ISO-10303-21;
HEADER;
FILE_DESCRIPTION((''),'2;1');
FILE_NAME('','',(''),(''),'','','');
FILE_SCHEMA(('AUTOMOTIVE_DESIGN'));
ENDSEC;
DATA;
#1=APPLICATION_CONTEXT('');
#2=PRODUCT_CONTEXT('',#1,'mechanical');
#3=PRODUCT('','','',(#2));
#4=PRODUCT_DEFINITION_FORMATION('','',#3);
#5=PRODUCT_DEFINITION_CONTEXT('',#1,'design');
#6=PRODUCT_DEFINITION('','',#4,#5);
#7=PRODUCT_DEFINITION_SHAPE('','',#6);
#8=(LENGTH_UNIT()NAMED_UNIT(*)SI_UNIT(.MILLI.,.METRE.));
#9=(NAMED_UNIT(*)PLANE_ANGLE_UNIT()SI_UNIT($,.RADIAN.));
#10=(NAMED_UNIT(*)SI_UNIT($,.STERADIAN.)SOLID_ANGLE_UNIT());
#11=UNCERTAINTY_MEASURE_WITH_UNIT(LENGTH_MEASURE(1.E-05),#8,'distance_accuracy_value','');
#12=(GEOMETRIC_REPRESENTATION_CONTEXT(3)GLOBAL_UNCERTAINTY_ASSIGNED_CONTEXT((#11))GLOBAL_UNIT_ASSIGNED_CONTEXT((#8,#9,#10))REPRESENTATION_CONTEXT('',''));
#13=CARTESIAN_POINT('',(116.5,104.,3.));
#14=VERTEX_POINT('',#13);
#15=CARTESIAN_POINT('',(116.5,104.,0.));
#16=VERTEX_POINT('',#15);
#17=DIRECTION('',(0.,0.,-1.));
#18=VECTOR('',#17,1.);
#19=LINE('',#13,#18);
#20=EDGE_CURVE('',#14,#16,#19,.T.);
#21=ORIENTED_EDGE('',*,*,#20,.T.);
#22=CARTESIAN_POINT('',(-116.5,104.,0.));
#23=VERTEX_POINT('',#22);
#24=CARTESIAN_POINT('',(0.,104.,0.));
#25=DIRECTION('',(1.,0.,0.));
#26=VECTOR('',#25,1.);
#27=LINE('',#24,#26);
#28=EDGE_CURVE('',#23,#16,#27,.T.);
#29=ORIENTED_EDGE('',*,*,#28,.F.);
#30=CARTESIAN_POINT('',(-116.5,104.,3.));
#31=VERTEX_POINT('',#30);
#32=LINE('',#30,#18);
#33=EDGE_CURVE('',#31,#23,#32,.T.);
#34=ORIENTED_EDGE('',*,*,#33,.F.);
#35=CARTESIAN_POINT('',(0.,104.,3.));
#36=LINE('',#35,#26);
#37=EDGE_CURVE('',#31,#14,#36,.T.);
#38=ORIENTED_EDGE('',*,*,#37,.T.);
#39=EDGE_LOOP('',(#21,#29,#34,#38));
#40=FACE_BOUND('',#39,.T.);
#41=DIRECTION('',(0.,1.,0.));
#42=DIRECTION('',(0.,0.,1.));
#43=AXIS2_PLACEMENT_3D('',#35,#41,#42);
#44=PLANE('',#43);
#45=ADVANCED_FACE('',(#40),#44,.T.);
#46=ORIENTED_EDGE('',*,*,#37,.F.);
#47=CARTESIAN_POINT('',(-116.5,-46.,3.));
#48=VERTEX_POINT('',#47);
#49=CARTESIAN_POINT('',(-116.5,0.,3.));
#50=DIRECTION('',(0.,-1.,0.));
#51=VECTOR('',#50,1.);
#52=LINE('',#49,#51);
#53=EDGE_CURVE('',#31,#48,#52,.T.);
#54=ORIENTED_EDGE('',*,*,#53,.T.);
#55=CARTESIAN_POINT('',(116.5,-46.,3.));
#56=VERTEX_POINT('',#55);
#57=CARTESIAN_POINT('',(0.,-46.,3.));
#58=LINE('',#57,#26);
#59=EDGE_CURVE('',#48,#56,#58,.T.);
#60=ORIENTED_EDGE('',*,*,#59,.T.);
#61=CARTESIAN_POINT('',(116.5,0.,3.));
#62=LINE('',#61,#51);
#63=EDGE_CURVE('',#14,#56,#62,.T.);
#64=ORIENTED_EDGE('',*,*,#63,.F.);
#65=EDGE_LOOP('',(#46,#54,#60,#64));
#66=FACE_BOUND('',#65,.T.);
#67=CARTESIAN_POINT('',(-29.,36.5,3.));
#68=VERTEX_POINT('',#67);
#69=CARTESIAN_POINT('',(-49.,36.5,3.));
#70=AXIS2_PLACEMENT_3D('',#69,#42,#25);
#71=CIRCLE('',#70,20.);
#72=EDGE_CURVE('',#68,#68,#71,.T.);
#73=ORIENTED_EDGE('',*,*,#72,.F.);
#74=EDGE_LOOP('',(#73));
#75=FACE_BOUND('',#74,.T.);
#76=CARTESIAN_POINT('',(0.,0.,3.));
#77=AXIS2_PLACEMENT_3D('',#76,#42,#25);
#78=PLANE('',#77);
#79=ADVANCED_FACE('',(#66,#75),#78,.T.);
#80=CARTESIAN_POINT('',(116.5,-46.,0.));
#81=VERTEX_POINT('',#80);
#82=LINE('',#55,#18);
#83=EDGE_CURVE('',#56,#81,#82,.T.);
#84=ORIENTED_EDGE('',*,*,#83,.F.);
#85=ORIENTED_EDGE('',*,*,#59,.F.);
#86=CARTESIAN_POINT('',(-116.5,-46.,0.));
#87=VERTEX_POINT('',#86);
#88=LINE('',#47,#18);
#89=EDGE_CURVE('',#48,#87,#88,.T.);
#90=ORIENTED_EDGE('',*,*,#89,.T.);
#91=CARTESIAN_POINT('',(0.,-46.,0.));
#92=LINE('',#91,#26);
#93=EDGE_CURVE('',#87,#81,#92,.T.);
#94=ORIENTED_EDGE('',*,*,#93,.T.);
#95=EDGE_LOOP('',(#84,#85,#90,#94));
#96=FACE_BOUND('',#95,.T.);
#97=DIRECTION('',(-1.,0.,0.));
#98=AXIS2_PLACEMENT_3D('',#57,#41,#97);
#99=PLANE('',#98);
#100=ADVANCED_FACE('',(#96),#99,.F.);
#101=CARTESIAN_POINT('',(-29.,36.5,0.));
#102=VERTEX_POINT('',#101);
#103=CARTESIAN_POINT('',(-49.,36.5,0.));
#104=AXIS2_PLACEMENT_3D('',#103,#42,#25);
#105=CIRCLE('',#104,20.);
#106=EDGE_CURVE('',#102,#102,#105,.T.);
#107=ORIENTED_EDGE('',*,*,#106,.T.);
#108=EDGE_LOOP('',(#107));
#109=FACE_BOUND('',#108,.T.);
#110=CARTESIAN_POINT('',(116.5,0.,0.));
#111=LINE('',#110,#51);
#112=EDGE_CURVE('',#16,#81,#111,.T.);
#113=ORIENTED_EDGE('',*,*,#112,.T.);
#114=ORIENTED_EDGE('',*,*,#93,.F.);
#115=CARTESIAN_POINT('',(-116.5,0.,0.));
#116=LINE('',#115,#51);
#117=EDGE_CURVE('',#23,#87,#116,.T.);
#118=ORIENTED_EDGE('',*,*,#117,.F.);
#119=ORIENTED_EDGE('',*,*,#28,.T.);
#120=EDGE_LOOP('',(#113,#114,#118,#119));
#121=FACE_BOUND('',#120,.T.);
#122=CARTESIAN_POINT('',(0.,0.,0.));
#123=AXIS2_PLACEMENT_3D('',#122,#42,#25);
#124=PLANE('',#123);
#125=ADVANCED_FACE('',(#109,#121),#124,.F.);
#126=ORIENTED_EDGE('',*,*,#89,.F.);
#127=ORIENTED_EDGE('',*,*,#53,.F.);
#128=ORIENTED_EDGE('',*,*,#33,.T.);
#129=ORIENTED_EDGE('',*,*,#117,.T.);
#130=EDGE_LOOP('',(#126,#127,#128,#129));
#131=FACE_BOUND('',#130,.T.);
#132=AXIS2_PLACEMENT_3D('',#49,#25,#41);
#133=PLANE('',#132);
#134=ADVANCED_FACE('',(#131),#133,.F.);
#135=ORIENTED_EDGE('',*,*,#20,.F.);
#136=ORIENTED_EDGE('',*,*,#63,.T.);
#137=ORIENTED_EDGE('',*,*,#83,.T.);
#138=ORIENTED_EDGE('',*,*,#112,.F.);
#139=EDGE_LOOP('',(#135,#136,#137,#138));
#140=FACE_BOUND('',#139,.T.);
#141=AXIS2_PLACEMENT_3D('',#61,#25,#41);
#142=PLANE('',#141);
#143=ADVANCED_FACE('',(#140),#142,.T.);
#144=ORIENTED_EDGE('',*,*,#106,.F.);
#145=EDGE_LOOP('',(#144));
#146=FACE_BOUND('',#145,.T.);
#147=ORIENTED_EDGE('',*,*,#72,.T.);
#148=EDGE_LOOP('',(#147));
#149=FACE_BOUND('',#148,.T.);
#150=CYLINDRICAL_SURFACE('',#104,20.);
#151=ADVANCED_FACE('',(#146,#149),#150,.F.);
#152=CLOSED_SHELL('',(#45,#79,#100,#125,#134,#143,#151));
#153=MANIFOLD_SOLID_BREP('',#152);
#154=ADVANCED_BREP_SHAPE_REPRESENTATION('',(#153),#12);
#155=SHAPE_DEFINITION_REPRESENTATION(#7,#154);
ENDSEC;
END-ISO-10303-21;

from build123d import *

# Parameters (mm, degrees)
SKETCH1_W           = 233
SKETCH1_H           = 150
BOSS_EXTRUDE1_DEPTH = 3
SKETCH2_R           = 20
CUT_EXTRUDE3_DEPTH  = 4


with BuildPart() as part:
    # Sketch1 → Boss-Extrude1 (new body)
    with BuildSketch(Plane.XY):
        with Locations((0, 29)):
            Rectangle(SKETCH1_W, SKETCH1_H)
    extrude(amount=BOSS_EXTRUDE1_DEPTH)

    # Sketch2 → Cut-Extrude3 (cut, through all)
    with BuildSketch(Plane.XY.offset(3)):
        with Locations((-49, 36.5)):
            Circle(SKETCH2_R)
    extrude(amount=-CUT_EXTRUDE3_DEPTH, mode=Mode.SUBTRACT)


solid = part.part
